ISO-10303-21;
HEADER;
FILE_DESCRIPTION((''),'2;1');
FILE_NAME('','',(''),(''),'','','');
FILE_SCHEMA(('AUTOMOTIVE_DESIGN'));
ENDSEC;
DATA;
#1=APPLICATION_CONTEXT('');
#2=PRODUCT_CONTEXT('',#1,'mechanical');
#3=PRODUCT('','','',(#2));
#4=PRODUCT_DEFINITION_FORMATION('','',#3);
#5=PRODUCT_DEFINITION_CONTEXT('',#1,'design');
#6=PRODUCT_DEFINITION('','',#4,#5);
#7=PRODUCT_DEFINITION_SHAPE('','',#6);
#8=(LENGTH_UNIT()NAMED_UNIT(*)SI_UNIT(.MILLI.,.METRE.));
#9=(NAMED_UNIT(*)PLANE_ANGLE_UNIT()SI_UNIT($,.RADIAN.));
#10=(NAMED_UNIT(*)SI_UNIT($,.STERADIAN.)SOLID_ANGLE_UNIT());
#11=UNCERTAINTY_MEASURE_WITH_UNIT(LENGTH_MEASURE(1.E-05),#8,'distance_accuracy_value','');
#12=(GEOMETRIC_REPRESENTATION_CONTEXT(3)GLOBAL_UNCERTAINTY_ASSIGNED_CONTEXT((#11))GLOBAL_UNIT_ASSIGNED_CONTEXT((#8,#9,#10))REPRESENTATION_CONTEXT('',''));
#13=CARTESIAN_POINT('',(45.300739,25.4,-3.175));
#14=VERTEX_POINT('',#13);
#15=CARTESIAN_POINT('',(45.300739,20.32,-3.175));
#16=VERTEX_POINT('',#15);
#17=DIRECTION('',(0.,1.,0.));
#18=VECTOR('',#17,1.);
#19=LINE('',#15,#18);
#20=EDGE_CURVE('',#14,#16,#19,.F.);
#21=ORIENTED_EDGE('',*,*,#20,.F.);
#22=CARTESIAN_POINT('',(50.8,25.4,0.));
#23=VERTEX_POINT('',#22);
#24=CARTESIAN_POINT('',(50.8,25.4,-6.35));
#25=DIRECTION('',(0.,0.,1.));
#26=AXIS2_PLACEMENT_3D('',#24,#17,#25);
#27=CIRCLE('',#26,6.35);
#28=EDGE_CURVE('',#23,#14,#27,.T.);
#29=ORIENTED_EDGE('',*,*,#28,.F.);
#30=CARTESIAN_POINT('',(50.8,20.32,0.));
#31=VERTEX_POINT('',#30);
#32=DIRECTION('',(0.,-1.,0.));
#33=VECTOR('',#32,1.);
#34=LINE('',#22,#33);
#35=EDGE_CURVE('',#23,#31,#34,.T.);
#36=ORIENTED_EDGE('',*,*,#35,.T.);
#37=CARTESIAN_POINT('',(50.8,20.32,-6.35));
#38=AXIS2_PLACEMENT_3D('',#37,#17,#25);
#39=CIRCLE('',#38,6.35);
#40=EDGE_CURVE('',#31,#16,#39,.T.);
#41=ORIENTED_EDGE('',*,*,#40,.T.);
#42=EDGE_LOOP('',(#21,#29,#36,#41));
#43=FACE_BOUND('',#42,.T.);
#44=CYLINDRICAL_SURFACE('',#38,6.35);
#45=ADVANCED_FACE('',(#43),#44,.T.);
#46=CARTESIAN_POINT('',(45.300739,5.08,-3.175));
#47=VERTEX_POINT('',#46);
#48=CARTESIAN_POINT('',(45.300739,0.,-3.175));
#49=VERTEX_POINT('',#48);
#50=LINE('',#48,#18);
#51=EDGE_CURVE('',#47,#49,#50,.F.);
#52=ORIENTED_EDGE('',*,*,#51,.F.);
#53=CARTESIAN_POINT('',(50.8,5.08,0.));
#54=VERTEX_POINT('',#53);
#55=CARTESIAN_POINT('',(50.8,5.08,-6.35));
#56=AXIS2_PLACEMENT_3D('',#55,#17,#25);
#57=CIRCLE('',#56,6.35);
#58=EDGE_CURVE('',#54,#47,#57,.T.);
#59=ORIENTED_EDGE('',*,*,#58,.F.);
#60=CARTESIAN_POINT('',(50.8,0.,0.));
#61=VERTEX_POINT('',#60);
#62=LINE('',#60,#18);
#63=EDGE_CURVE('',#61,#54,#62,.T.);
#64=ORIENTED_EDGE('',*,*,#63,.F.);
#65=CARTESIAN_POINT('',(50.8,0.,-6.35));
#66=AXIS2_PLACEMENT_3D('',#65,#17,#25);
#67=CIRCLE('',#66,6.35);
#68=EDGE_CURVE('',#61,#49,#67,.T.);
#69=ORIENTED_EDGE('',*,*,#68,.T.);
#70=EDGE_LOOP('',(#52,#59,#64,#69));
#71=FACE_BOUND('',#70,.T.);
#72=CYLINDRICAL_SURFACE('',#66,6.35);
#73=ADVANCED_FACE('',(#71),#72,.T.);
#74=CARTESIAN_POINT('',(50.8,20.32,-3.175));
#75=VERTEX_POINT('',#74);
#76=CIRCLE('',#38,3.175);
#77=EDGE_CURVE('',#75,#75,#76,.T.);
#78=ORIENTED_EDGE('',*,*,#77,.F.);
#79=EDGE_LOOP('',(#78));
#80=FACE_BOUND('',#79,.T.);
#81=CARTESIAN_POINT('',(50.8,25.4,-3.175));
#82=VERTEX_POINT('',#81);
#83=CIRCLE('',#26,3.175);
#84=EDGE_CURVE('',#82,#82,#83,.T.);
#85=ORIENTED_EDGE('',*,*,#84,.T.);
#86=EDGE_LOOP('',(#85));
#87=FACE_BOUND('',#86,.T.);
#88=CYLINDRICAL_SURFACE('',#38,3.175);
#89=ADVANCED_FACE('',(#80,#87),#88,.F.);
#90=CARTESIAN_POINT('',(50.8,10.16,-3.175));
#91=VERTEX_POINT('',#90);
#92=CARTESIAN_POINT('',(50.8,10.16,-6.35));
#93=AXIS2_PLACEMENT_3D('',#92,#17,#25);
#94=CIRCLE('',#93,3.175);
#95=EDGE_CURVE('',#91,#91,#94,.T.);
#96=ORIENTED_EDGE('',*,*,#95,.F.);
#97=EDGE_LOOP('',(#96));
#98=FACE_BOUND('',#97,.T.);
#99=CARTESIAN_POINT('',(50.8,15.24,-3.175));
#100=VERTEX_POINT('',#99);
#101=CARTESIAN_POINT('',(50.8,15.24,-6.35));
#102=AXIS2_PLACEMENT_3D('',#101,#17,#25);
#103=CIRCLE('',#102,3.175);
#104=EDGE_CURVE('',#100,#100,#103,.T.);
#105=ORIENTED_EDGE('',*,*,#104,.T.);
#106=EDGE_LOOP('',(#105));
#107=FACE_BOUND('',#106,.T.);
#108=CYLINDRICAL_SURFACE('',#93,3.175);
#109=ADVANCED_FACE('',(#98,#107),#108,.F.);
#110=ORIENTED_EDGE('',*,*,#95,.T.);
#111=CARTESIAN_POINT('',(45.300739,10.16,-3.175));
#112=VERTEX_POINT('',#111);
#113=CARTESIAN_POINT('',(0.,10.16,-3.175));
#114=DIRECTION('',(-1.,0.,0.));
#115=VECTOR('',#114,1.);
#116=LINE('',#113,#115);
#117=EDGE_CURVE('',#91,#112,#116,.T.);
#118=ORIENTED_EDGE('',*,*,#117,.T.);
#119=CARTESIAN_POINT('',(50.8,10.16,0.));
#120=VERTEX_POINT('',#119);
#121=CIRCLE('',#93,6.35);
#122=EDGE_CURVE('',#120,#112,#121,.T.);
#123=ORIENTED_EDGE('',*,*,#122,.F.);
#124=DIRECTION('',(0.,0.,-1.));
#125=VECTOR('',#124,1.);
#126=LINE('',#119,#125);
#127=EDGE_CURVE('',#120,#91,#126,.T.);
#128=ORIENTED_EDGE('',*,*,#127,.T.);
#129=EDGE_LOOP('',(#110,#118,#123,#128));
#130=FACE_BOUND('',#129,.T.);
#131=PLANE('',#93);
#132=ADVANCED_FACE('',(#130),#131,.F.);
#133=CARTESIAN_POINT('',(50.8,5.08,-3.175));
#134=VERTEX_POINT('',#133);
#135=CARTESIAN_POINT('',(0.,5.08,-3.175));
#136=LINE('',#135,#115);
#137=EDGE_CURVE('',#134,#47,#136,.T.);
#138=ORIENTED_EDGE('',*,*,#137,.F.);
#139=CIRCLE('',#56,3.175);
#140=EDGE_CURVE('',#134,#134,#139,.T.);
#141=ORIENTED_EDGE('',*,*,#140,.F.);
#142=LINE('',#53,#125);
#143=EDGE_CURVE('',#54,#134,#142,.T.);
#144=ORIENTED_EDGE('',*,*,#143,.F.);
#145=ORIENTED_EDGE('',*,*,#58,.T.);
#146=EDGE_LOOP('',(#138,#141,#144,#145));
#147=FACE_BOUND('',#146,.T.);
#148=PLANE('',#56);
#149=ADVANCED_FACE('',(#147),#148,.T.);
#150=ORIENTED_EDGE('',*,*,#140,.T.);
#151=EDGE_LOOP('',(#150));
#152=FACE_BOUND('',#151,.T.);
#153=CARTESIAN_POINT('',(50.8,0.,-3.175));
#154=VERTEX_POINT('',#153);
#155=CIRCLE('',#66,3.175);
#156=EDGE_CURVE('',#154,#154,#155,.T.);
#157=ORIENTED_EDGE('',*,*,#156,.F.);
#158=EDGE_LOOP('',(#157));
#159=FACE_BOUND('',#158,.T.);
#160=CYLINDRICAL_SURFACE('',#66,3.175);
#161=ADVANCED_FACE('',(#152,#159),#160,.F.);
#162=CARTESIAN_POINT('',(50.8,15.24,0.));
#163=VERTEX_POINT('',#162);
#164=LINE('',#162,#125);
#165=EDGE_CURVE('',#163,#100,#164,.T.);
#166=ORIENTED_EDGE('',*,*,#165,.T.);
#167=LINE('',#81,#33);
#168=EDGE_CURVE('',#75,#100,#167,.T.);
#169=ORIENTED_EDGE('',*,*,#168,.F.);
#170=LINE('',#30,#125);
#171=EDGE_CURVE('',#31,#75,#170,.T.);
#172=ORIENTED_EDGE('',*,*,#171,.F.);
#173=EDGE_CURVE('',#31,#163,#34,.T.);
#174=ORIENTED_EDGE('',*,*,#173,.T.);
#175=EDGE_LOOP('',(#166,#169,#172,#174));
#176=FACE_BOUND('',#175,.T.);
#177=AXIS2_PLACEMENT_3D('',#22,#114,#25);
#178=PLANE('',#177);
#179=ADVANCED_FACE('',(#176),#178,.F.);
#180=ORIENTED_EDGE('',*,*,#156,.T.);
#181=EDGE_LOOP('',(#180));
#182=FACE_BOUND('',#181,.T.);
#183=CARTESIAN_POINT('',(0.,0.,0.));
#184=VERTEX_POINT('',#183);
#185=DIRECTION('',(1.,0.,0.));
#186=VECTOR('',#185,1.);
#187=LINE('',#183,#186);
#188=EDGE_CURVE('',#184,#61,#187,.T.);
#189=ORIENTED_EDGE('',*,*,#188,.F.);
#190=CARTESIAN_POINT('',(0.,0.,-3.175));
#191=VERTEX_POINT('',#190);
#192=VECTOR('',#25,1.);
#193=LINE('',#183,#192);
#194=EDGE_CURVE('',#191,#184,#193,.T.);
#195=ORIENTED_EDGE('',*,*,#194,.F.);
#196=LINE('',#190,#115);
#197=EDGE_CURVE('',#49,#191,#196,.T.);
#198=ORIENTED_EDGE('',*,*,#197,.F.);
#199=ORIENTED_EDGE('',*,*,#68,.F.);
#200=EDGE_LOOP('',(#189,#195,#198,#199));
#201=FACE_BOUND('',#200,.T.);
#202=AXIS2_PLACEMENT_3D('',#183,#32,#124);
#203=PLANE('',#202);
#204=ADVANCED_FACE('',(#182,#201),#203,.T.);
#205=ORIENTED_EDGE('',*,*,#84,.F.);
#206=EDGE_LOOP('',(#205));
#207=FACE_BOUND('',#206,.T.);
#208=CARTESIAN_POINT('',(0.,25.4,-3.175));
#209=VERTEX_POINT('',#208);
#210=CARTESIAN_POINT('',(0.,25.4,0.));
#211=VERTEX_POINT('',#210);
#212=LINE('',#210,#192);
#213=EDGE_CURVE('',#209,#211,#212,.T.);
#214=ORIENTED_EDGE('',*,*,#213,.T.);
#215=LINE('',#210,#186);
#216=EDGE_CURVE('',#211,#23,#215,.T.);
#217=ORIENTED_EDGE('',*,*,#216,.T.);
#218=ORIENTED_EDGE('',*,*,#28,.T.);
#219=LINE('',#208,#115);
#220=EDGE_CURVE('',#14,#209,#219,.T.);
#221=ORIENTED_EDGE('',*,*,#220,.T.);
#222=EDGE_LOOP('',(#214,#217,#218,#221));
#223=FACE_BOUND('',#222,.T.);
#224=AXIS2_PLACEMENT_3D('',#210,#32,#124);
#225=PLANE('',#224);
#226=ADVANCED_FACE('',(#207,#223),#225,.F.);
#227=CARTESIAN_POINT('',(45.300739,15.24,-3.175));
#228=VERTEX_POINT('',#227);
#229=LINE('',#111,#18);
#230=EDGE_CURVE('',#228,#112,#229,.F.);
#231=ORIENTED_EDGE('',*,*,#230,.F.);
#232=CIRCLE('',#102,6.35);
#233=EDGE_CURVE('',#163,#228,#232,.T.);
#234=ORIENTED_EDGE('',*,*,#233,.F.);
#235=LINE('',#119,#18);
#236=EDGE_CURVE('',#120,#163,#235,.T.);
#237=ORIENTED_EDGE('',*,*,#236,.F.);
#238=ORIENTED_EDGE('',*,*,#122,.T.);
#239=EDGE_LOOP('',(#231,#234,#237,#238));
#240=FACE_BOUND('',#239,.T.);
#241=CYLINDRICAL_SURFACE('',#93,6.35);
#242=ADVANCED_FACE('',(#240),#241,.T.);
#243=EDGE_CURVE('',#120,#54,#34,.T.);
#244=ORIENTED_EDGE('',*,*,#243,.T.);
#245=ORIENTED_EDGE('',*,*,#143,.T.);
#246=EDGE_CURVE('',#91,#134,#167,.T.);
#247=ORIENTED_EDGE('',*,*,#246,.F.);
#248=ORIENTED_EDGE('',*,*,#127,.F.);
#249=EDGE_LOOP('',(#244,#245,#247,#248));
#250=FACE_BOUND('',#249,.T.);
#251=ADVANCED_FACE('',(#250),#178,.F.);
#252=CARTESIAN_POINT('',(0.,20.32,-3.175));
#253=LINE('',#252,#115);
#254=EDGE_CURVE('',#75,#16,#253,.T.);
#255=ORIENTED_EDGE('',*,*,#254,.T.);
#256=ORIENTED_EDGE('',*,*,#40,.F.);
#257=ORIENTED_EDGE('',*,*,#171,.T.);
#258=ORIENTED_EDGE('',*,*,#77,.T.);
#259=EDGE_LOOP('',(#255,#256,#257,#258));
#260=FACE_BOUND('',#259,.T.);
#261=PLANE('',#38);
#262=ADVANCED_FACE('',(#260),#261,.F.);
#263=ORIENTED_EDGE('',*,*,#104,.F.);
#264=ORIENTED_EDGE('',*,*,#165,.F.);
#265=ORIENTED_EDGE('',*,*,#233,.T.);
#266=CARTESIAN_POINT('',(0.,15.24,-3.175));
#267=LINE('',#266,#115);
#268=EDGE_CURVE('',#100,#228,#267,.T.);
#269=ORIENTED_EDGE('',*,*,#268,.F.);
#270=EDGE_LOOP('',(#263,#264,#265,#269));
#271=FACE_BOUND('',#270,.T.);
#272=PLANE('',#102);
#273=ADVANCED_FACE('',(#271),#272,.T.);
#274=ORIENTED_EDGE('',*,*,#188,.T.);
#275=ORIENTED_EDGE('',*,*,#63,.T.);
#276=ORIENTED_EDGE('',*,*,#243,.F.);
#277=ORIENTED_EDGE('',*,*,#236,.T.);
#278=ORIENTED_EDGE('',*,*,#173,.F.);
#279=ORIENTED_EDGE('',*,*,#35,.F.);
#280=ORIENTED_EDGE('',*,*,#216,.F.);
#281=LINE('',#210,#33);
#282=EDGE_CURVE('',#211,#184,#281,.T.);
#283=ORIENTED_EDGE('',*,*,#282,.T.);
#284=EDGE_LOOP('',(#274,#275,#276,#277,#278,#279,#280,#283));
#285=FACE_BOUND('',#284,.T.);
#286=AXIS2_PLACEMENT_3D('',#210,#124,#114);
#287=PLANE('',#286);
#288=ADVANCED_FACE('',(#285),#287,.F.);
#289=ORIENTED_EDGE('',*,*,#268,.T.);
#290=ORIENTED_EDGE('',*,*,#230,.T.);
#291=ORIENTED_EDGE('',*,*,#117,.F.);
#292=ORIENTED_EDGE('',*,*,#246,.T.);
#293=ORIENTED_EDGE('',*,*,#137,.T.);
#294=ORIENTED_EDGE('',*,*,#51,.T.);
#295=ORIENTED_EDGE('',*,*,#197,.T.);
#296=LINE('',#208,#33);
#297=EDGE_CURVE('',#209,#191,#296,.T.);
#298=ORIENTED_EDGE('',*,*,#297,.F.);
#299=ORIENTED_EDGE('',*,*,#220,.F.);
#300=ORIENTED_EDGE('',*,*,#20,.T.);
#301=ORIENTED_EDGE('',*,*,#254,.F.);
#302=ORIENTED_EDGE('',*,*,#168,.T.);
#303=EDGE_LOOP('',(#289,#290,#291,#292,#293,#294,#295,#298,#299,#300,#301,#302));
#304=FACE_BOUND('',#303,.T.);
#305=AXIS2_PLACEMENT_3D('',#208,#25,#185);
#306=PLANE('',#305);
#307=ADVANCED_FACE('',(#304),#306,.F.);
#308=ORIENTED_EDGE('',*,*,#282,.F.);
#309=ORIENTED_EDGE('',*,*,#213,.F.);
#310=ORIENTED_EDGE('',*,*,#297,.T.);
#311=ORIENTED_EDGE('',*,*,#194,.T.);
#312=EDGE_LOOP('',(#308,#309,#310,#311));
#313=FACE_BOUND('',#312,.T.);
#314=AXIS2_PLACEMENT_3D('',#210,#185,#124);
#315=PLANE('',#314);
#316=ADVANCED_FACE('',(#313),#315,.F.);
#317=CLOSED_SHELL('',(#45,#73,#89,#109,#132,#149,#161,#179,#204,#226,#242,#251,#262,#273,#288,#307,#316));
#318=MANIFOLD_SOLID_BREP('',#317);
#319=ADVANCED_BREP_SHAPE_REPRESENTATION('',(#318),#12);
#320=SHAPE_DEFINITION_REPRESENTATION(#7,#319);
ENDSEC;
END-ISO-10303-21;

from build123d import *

# Parameters (mm, degrees)
SKETCH1_W           = 50.8
SKETCH1_H           = 3.175
BOSS_EXTRUDE1_DEPTH = 25.4
SKETCH2_R           = 6.35
SKETCH2_R_2         = 3.175
BOSS_EXTRUDE2_DEPTH = 5.08
LPATTERN1_COUNT     = 3
LPATTERN1_PITCH     = 10.16


with BuildPart() as part:
    # Sketch1 → Boss-Extrude1 (new body)
    with BuildSketch(Plane(origin=(0, 0, 0), x_dir=(1, 0, 0), z_dir=(0, 1, 0))):
        with Locations((25.4, 1.5875)):
            Rectangle(SKETCH1_W, SKETCH1_H)
    extrude(amount=BOSS_EXTRUDE1_DEPTH)

    # Sketch2 → Boss-Extrude2 (add)
    with BuildSketch(Plane(origin=(0, 25.4, 0), x_dir=(1, 0, 0), z_dir=(0, 1, 0))):
        with Locations((50.8, 6.35)):
            Circle(SKETCH2_R)
        with Locations(Location((50.8, 6.35, 0), (0, 0, 270))):
            Circle(SKETCH2_R_2, mode=Mode.SUBTRACT)
    boss_extrude2 = extrude(amount=-BOSS_EXTRUDE2_DEPTH)

    # LPattern1: Boss-Extrude2 ×3
    with Locations(*[(0, -i * LPATTERN1_PITCH, 0) for i in range(1, LPATTERN1_COUNT)]):
        add(boss_extrude2)


solid = part.part
